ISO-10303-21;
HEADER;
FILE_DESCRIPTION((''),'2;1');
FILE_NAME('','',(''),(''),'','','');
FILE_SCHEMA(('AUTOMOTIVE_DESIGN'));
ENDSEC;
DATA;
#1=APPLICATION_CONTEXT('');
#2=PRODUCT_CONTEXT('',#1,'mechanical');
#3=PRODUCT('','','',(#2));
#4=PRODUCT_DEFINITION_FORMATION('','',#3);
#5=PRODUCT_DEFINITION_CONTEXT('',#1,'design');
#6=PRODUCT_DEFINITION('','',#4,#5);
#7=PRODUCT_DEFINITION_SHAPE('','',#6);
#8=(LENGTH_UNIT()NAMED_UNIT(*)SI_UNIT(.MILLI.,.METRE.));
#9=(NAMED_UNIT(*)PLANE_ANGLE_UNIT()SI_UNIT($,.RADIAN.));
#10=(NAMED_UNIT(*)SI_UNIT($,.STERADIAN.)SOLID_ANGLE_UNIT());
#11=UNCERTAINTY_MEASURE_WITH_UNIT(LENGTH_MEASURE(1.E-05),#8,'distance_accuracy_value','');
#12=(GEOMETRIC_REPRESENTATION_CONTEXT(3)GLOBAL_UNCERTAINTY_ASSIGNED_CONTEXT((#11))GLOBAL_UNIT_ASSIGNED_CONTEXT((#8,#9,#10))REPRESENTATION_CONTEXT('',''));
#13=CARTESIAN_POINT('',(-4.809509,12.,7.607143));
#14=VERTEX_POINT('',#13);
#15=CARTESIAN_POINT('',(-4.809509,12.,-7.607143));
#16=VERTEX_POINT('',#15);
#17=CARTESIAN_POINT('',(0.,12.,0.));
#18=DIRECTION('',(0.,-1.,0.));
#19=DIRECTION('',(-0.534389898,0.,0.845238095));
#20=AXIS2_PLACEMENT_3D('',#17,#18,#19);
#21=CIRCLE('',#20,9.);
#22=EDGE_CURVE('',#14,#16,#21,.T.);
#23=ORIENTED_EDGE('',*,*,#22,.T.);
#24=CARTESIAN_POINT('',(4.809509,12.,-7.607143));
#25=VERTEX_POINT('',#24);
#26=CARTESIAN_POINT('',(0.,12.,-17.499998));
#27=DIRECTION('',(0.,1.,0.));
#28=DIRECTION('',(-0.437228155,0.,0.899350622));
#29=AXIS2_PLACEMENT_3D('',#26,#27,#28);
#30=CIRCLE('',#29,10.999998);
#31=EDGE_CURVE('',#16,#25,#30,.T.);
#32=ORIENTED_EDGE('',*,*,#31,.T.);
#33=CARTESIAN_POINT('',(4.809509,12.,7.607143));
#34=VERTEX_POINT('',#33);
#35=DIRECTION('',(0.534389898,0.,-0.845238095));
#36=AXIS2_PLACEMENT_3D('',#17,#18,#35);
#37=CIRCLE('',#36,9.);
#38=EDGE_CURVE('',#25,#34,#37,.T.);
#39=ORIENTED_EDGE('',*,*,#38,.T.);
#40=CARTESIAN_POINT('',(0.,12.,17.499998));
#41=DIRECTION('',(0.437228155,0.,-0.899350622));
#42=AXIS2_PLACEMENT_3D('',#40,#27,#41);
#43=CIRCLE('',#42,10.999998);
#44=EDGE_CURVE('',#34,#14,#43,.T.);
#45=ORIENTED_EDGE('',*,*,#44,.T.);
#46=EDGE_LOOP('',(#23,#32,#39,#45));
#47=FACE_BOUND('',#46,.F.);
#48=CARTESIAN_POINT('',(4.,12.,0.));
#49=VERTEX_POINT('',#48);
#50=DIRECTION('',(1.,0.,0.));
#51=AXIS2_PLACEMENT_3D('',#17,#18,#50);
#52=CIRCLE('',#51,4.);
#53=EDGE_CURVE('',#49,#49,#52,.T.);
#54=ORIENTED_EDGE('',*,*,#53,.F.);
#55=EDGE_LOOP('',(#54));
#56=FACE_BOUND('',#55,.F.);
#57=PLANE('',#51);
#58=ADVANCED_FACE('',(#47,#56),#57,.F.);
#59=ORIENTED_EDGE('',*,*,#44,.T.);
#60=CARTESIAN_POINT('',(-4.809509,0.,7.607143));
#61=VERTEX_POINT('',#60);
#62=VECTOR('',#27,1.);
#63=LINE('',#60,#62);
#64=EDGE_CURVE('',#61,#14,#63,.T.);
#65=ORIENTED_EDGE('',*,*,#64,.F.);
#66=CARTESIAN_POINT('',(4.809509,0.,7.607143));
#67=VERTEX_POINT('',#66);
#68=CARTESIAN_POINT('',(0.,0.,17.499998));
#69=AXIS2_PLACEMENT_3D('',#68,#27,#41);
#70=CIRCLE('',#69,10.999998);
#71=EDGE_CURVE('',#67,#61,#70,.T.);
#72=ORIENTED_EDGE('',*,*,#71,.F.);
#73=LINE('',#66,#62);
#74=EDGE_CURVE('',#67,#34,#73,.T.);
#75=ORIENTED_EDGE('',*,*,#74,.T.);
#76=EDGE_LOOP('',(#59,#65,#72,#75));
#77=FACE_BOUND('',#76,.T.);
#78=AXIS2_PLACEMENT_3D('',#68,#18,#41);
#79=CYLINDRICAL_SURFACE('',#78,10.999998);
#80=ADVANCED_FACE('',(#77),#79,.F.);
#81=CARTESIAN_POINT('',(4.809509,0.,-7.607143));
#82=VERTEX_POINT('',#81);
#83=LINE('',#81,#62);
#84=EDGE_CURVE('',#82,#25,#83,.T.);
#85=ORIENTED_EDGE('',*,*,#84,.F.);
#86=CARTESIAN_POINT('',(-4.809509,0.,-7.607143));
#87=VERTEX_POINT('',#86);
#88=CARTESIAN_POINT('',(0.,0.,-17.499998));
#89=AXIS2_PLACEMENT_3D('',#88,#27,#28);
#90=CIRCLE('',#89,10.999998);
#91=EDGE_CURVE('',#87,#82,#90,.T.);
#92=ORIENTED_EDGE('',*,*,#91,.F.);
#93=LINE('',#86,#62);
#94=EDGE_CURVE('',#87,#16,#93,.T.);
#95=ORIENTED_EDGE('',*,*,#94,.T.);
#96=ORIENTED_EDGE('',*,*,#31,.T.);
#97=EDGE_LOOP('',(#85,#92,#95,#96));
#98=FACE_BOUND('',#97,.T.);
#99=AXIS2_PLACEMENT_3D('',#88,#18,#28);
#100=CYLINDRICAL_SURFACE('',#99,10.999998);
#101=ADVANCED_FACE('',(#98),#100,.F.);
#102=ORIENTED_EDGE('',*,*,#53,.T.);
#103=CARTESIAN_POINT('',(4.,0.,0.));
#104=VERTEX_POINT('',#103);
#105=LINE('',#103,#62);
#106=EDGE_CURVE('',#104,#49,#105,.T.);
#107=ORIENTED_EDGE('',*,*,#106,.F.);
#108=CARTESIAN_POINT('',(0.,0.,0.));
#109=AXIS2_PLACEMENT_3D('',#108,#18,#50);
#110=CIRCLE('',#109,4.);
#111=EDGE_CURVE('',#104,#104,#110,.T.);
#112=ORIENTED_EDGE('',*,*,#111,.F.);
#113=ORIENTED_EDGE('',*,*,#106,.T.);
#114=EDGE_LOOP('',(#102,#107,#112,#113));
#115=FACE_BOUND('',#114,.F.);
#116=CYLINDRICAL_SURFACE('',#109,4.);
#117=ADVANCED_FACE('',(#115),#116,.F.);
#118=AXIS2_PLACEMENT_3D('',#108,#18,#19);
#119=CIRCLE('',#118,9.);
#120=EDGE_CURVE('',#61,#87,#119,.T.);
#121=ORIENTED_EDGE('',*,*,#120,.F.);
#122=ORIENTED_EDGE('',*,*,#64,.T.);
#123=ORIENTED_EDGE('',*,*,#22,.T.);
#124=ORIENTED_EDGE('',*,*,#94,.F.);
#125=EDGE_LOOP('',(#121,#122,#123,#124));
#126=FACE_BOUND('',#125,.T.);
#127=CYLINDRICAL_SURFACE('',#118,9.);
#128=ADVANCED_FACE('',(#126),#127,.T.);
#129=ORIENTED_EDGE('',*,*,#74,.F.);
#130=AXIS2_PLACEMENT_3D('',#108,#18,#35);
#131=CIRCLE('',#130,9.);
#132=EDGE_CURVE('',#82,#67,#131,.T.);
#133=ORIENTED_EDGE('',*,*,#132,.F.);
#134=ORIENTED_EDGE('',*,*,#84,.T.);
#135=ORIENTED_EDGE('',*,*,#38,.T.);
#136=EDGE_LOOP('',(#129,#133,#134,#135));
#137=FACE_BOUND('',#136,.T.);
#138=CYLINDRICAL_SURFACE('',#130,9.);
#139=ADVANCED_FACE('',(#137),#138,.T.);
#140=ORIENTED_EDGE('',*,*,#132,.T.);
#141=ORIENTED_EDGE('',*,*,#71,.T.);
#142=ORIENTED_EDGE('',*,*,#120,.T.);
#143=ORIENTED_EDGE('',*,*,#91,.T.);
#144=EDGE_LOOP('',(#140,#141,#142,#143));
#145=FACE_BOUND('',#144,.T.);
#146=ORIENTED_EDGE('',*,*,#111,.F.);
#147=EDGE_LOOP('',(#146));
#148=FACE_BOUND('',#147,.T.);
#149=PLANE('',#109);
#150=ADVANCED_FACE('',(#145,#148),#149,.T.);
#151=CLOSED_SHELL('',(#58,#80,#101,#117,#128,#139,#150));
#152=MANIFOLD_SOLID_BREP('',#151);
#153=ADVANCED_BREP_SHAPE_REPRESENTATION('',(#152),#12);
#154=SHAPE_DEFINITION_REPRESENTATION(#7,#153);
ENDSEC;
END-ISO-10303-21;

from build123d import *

# Parameters (mm, degrees)
F0_R     = 4
F1_DEPTH = 12


with BuildPart() as f1:
    # F0 (on Front) → F1 (new body)
    with BuildSketch(Plane.XZ):
        with BuildLine():
            ThreePointArc((4.809509, 7.607143), (0, 6.5), (-4.809509, 7.607143))
            ThreePointArc((-4.809509, 7.607143), (-9, 0), (-4.809509, -7.607143))
            ThreePointArc((-4.809509, -7.607143), (0, -6.5), (4.809509, -7.607143))
            ThreePointArc((4.809509, -7.607143), (9, 0), (4.809509, 7.607143))
        make_face()
        Circle(F0_R, mode=Mode.SUBTRACT)
    extrude(amount=-F1_DEPTH)


solid = f1.part
